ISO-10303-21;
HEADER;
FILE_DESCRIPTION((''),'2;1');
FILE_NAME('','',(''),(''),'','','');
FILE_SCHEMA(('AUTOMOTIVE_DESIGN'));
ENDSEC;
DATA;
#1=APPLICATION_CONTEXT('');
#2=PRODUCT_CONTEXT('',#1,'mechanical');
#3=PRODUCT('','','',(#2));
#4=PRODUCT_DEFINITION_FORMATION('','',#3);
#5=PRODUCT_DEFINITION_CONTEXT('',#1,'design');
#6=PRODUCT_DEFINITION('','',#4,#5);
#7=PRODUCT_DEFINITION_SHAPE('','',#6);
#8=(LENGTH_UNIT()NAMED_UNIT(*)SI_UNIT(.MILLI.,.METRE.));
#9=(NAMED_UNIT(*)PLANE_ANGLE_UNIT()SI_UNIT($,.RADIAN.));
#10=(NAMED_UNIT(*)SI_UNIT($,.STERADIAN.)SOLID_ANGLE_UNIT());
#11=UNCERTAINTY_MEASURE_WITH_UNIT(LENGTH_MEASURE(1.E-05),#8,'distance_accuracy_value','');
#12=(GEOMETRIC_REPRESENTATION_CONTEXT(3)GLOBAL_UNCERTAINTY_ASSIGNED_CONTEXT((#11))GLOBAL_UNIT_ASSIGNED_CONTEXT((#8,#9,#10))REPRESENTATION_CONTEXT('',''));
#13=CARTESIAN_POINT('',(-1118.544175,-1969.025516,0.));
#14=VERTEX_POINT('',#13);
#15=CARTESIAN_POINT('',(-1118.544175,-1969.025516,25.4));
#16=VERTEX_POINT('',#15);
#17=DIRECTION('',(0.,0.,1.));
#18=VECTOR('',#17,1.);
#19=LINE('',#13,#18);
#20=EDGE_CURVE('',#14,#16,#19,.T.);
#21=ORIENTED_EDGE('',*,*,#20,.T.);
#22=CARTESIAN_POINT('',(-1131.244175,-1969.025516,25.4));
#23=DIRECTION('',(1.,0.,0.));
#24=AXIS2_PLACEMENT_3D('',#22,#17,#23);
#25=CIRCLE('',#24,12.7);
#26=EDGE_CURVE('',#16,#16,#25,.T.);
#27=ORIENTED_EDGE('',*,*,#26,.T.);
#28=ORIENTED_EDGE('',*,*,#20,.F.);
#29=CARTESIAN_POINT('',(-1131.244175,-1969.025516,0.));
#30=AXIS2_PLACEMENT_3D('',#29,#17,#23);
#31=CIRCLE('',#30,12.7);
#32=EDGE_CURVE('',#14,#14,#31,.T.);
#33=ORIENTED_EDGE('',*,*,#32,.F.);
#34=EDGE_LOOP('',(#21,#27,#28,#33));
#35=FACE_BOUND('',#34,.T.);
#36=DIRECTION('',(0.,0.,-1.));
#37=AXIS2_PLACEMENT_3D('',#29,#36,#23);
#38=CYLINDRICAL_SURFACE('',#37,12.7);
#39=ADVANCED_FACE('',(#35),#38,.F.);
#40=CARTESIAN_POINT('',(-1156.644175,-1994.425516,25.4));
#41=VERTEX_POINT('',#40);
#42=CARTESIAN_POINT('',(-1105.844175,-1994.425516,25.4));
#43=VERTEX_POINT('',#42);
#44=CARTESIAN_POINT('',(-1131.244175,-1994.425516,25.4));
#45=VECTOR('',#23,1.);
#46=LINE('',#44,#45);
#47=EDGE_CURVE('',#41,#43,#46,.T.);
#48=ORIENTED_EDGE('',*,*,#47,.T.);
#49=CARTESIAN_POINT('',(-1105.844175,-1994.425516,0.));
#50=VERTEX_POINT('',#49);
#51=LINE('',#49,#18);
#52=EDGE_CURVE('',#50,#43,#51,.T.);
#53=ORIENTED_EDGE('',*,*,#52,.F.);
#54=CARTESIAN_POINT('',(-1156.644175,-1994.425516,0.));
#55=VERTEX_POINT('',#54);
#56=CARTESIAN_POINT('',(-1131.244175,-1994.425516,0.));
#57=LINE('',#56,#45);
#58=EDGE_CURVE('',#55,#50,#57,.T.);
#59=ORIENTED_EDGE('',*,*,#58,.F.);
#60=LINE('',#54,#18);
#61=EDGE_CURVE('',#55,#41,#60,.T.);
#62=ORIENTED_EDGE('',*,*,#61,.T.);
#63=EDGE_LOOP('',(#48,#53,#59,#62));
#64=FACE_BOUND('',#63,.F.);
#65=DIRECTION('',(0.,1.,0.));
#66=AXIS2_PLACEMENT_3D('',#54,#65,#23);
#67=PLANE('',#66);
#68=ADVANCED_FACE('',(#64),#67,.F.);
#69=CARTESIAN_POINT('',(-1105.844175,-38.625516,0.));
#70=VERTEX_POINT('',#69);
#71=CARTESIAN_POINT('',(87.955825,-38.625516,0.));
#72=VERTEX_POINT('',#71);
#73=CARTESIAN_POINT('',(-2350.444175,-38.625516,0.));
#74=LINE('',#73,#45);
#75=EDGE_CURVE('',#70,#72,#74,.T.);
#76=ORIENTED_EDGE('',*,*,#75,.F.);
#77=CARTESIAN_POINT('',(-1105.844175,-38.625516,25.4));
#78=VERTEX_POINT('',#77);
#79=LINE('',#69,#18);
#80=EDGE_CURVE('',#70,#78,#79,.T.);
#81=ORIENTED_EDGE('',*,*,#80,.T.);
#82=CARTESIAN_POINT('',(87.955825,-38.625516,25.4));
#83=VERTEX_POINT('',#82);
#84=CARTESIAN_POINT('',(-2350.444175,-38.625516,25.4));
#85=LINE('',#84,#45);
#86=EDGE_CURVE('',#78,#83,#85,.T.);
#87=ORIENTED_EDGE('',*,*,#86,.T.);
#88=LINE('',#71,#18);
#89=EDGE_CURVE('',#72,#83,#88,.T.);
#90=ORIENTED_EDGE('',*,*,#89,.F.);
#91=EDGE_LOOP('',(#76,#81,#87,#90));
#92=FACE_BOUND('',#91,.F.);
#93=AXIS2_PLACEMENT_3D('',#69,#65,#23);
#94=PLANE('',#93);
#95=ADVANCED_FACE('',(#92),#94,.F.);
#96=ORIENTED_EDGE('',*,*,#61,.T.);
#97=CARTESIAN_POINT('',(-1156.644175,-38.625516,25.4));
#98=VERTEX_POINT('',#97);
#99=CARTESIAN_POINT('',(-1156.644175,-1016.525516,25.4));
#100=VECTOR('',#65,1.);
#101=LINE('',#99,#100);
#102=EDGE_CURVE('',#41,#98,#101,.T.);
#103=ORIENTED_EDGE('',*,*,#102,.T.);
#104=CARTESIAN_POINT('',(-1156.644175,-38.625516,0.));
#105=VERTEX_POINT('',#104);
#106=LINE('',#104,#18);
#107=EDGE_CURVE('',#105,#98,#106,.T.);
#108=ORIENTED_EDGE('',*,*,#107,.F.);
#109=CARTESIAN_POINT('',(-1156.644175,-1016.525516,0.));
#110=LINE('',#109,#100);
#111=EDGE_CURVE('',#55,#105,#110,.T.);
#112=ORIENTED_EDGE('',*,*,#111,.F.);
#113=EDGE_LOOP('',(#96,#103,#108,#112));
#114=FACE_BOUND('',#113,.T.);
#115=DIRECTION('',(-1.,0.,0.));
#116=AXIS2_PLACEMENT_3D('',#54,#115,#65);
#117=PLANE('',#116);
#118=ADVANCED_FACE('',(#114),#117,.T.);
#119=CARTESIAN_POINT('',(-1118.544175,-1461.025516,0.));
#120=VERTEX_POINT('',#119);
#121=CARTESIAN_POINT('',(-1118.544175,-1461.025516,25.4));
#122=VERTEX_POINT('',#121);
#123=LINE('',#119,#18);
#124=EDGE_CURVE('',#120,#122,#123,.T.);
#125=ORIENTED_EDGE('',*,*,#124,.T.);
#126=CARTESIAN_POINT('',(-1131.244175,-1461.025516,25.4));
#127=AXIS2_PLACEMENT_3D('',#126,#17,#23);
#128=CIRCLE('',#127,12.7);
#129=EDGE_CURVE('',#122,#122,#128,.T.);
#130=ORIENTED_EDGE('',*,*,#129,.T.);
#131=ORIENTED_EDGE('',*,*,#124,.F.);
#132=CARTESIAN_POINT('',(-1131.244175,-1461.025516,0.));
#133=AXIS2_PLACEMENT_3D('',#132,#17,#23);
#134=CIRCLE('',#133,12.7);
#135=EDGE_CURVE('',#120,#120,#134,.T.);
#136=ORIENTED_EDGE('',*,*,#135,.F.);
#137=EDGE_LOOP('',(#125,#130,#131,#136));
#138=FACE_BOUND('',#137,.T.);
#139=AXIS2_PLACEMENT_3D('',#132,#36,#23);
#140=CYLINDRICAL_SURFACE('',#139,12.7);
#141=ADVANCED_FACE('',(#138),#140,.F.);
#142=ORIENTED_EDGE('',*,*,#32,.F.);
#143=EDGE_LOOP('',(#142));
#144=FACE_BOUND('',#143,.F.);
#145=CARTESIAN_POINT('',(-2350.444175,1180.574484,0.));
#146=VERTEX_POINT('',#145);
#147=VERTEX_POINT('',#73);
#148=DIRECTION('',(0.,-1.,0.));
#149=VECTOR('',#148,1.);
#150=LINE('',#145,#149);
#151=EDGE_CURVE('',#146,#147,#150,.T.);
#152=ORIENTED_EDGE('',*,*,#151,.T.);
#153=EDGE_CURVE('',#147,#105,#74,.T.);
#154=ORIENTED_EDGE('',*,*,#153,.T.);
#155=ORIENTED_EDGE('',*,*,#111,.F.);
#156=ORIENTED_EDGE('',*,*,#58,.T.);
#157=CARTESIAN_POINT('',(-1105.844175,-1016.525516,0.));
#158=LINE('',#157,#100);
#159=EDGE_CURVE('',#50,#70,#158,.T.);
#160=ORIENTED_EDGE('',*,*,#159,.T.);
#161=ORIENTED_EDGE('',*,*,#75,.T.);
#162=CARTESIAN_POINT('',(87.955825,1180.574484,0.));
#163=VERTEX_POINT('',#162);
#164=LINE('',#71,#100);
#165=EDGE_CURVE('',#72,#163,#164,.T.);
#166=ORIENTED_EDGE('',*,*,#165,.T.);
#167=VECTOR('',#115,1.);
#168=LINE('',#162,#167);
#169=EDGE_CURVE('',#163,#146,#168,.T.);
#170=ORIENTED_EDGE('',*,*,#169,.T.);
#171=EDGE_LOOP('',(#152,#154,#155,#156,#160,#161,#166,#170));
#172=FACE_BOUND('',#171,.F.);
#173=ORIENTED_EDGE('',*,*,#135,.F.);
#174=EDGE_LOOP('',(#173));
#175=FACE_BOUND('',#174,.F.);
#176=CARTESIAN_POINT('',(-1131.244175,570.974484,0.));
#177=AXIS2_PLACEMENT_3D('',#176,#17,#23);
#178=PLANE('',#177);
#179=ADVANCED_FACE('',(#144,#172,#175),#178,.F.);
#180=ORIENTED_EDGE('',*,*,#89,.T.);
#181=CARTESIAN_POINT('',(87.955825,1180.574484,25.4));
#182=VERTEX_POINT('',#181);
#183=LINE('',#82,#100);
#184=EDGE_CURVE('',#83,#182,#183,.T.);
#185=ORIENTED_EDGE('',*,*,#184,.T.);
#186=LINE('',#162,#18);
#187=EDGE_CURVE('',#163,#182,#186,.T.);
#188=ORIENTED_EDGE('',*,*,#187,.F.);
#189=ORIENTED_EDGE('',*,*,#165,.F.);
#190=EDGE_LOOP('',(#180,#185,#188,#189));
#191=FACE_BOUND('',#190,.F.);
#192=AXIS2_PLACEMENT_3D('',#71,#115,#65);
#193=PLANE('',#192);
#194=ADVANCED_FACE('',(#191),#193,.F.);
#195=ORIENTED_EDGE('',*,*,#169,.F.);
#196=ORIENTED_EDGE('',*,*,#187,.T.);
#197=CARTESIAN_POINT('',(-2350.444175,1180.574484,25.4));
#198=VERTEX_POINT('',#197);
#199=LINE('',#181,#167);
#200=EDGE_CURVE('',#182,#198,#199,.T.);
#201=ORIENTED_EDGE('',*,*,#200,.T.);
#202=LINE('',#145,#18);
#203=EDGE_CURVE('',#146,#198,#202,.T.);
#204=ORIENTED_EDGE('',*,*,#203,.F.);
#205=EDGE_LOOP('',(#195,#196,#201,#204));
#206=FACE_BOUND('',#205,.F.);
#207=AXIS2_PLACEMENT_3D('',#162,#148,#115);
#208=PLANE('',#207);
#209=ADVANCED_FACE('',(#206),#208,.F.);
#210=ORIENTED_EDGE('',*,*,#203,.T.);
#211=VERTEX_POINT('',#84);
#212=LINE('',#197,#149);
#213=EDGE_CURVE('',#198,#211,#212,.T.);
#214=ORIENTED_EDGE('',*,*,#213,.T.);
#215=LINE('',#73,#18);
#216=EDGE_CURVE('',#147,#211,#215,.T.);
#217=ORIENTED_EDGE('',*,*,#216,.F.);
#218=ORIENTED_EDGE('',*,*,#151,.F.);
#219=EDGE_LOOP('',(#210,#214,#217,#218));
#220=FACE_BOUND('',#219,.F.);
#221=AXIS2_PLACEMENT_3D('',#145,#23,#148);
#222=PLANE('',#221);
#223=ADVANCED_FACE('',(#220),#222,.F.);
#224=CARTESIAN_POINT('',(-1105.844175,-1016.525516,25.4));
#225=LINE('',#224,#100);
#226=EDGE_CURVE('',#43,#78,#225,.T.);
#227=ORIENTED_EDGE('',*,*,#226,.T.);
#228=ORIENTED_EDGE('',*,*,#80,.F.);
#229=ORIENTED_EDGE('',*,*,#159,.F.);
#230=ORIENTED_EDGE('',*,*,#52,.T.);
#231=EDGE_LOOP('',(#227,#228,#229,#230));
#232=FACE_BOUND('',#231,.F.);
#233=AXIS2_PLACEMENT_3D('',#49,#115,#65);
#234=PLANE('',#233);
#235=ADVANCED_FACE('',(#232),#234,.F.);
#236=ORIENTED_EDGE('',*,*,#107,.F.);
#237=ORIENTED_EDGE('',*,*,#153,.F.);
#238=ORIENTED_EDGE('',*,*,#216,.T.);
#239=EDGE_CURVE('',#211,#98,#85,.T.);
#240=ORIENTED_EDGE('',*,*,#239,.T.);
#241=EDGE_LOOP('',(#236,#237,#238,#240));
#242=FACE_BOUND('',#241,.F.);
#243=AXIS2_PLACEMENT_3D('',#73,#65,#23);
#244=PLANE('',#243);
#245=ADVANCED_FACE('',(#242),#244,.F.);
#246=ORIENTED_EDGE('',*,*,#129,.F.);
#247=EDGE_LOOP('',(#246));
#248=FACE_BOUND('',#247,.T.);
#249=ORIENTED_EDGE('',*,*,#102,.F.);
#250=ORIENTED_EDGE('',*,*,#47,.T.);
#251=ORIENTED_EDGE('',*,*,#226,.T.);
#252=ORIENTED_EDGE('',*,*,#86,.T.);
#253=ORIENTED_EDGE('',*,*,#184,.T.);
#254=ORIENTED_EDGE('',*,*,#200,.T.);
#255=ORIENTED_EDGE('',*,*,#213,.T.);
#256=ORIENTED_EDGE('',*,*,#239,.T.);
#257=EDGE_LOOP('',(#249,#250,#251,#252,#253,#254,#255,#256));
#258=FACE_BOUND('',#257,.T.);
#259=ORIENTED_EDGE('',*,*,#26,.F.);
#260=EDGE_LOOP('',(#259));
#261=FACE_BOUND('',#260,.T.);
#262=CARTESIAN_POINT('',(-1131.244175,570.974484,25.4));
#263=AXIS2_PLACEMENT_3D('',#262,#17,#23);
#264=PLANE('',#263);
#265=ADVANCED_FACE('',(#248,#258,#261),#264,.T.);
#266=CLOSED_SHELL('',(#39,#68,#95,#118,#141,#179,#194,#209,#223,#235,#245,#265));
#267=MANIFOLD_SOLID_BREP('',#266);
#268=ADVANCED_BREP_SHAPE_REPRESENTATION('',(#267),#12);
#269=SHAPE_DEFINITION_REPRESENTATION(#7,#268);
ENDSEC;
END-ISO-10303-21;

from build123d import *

# Parameters (mm, degrees)
F0_W     = 50.8
F0_H     = 1955.8
F0_R     = 12.7
F1_DEPTH = 25.4


with BuildPart() as f1:
    # F0 (on Top) → F1 (new body)
    with BuildSketch(Plane.XY):
        Polygon((87.955825, 1180.574484), (-2350.444175, 1180.574484), (-2350.444175, -38.625516), (-1156.644175, -38.625516), (-1105.844175, -38.625516), (87.955825, -38.625516), align=None)
        with Locations((-1131.244175, -1016.525516)):
            Rectangle(F0_W, F0_H)
        with Locations((-1131.244175, -1969.025516)):
            Circle(F0_R, mode=Mode.SUBTRACT)
        with Locations((-1131.244175, -1461.025516)):
            Circle(F0_R, mode=Mode.SUBTRACT)
    extrude(amount=F1_DEPTH)


solid = f1.part
